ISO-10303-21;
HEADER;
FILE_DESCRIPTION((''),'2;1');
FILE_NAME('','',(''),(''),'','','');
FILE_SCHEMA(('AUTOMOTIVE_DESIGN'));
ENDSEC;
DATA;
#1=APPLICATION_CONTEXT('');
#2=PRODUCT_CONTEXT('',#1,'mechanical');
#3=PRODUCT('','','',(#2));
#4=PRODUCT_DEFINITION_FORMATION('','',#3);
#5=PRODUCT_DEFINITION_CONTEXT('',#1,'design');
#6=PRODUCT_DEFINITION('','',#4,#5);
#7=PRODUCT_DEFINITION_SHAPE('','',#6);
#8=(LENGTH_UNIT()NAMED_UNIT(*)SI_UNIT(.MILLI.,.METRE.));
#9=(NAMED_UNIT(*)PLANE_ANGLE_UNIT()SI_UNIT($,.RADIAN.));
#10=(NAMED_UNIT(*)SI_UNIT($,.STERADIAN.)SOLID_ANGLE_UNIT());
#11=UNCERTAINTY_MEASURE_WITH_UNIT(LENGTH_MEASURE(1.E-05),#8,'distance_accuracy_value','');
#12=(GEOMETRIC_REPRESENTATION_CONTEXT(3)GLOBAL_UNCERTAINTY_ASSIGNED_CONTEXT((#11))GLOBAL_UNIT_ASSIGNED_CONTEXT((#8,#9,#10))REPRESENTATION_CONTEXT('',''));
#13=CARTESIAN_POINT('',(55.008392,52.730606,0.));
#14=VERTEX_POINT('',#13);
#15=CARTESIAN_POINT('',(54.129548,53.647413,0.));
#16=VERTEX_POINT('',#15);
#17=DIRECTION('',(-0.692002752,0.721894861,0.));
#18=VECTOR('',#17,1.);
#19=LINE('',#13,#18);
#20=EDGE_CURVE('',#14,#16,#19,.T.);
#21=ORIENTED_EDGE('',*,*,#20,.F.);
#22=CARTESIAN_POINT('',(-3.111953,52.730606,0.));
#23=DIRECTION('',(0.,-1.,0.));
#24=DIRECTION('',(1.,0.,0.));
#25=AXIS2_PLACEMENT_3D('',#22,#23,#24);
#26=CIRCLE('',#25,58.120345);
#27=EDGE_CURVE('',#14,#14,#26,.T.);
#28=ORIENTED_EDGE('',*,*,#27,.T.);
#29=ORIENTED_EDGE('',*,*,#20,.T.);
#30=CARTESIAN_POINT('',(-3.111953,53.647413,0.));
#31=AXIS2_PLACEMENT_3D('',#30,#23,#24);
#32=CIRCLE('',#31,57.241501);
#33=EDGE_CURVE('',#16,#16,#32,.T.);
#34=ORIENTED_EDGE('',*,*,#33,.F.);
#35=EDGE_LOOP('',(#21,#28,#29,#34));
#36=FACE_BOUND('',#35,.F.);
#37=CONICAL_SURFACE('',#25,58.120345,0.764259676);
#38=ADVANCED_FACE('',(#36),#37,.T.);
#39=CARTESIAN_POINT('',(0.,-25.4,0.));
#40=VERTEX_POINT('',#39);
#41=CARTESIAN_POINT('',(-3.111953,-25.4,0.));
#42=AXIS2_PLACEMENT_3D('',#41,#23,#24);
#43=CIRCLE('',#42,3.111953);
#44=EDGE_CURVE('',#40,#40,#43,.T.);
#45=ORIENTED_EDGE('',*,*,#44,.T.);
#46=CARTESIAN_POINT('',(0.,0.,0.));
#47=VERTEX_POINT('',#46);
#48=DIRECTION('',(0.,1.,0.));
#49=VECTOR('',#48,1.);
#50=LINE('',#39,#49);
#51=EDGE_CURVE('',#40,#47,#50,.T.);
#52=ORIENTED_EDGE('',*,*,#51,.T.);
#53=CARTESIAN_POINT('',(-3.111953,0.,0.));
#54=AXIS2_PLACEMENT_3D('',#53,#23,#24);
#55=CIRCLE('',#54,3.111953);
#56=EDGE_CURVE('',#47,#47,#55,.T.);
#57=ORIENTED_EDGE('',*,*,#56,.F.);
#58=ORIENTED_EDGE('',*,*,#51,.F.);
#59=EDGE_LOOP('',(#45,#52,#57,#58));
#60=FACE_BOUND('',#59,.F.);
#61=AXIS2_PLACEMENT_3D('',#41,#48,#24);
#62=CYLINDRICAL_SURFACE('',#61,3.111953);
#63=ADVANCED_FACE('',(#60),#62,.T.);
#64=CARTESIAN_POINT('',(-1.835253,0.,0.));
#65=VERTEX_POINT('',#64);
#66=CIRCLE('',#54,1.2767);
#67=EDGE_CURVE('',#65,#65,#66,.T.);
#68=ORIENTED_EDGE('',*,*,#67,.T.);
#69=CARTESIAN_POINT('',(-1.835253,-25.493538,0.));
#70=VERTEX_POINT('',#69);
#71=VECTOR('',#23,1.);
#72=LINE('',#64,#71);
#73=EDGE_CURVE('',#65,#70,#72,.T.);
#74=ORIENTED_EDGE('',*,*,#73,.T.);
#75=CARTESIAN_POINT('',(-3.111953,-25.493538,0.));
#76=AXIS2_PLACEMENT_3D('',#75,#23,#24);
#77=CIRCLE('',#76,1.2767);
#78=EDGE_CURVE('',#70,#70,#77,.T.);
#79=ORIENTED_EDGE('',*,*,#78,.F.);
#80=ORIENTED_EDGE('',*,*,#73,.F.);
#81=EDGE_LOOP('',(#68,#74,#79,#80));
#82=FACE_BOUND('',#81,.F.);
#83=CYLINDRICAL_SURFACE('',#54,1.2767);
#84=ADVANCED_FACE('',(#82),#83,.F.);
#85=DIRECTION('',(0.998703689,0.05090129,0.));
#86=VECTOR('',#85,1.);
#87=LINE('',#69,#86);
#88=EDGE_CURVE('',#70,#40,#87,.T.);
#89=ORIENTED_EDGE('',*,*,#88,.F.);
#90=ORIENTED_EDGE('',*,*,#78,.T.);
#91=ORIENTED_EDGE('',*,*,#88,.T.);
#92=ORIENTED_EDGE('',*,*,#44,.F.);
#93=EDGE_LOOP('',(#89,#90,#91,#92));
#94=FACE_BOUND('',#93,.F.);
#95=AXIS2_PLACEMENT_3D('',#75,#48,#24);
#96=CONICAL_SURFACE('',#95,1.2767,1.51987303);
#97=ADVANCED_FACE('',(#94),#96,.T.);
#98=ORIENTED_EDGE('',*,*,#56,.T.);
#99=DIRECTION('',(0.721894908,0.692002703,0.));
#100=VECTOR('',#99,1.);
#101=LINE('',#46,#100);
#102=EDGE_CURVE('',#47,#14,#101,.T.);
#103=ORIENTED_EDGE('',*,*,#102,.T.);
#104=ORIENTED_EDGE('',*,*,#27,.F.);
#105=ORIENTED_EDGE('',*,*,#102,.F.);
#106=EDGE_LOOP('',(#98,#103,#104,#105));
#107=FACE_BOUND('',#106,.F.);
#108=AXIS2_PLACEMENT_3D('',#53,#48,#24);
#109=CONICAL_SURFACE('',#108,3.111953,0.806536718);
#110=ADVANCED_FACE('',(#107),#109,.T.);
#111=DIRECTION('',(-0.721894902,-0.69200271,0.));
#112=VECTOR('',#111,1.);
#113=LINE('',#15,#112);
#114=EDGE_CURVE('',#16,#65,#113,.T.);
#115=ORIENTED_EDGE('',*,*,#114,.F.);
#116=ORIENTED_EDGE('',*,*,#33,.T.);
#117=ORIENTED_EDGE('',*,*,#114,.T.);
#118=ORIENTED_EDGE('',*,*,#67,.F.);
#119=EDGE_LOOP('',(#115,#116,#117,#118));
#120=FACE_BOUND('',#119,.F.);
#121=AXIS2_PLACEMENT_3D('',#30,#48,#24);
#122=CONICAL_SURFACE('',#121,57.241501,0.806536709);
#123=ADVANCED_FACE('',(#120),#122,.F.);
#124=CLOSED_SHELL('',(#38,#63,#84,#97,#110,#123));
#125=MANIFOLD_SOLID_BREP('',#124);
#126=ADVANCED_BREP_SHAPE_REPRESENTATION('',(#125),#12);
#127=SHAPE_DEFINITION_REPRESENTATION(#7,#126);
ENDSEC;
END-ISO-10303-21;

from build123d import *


with BuildPart() as f1:
    # F0 (on Top) → F1 (revolve)
    with BuildSketch(Plane.XY):
        Polygon((0, -25.4), (0, 0), (-1.835253, 0), (-1.835253, -25.493538), align=None)
        Polygon((-1.835253, 0), (0, 0), (55.008392, 52.730606), (54.129548, 53.647413), align=None)
    revolve(axis=Axis((-3.111953, -12.7, 0), (0, -1, 0)))


solid = f1.part
